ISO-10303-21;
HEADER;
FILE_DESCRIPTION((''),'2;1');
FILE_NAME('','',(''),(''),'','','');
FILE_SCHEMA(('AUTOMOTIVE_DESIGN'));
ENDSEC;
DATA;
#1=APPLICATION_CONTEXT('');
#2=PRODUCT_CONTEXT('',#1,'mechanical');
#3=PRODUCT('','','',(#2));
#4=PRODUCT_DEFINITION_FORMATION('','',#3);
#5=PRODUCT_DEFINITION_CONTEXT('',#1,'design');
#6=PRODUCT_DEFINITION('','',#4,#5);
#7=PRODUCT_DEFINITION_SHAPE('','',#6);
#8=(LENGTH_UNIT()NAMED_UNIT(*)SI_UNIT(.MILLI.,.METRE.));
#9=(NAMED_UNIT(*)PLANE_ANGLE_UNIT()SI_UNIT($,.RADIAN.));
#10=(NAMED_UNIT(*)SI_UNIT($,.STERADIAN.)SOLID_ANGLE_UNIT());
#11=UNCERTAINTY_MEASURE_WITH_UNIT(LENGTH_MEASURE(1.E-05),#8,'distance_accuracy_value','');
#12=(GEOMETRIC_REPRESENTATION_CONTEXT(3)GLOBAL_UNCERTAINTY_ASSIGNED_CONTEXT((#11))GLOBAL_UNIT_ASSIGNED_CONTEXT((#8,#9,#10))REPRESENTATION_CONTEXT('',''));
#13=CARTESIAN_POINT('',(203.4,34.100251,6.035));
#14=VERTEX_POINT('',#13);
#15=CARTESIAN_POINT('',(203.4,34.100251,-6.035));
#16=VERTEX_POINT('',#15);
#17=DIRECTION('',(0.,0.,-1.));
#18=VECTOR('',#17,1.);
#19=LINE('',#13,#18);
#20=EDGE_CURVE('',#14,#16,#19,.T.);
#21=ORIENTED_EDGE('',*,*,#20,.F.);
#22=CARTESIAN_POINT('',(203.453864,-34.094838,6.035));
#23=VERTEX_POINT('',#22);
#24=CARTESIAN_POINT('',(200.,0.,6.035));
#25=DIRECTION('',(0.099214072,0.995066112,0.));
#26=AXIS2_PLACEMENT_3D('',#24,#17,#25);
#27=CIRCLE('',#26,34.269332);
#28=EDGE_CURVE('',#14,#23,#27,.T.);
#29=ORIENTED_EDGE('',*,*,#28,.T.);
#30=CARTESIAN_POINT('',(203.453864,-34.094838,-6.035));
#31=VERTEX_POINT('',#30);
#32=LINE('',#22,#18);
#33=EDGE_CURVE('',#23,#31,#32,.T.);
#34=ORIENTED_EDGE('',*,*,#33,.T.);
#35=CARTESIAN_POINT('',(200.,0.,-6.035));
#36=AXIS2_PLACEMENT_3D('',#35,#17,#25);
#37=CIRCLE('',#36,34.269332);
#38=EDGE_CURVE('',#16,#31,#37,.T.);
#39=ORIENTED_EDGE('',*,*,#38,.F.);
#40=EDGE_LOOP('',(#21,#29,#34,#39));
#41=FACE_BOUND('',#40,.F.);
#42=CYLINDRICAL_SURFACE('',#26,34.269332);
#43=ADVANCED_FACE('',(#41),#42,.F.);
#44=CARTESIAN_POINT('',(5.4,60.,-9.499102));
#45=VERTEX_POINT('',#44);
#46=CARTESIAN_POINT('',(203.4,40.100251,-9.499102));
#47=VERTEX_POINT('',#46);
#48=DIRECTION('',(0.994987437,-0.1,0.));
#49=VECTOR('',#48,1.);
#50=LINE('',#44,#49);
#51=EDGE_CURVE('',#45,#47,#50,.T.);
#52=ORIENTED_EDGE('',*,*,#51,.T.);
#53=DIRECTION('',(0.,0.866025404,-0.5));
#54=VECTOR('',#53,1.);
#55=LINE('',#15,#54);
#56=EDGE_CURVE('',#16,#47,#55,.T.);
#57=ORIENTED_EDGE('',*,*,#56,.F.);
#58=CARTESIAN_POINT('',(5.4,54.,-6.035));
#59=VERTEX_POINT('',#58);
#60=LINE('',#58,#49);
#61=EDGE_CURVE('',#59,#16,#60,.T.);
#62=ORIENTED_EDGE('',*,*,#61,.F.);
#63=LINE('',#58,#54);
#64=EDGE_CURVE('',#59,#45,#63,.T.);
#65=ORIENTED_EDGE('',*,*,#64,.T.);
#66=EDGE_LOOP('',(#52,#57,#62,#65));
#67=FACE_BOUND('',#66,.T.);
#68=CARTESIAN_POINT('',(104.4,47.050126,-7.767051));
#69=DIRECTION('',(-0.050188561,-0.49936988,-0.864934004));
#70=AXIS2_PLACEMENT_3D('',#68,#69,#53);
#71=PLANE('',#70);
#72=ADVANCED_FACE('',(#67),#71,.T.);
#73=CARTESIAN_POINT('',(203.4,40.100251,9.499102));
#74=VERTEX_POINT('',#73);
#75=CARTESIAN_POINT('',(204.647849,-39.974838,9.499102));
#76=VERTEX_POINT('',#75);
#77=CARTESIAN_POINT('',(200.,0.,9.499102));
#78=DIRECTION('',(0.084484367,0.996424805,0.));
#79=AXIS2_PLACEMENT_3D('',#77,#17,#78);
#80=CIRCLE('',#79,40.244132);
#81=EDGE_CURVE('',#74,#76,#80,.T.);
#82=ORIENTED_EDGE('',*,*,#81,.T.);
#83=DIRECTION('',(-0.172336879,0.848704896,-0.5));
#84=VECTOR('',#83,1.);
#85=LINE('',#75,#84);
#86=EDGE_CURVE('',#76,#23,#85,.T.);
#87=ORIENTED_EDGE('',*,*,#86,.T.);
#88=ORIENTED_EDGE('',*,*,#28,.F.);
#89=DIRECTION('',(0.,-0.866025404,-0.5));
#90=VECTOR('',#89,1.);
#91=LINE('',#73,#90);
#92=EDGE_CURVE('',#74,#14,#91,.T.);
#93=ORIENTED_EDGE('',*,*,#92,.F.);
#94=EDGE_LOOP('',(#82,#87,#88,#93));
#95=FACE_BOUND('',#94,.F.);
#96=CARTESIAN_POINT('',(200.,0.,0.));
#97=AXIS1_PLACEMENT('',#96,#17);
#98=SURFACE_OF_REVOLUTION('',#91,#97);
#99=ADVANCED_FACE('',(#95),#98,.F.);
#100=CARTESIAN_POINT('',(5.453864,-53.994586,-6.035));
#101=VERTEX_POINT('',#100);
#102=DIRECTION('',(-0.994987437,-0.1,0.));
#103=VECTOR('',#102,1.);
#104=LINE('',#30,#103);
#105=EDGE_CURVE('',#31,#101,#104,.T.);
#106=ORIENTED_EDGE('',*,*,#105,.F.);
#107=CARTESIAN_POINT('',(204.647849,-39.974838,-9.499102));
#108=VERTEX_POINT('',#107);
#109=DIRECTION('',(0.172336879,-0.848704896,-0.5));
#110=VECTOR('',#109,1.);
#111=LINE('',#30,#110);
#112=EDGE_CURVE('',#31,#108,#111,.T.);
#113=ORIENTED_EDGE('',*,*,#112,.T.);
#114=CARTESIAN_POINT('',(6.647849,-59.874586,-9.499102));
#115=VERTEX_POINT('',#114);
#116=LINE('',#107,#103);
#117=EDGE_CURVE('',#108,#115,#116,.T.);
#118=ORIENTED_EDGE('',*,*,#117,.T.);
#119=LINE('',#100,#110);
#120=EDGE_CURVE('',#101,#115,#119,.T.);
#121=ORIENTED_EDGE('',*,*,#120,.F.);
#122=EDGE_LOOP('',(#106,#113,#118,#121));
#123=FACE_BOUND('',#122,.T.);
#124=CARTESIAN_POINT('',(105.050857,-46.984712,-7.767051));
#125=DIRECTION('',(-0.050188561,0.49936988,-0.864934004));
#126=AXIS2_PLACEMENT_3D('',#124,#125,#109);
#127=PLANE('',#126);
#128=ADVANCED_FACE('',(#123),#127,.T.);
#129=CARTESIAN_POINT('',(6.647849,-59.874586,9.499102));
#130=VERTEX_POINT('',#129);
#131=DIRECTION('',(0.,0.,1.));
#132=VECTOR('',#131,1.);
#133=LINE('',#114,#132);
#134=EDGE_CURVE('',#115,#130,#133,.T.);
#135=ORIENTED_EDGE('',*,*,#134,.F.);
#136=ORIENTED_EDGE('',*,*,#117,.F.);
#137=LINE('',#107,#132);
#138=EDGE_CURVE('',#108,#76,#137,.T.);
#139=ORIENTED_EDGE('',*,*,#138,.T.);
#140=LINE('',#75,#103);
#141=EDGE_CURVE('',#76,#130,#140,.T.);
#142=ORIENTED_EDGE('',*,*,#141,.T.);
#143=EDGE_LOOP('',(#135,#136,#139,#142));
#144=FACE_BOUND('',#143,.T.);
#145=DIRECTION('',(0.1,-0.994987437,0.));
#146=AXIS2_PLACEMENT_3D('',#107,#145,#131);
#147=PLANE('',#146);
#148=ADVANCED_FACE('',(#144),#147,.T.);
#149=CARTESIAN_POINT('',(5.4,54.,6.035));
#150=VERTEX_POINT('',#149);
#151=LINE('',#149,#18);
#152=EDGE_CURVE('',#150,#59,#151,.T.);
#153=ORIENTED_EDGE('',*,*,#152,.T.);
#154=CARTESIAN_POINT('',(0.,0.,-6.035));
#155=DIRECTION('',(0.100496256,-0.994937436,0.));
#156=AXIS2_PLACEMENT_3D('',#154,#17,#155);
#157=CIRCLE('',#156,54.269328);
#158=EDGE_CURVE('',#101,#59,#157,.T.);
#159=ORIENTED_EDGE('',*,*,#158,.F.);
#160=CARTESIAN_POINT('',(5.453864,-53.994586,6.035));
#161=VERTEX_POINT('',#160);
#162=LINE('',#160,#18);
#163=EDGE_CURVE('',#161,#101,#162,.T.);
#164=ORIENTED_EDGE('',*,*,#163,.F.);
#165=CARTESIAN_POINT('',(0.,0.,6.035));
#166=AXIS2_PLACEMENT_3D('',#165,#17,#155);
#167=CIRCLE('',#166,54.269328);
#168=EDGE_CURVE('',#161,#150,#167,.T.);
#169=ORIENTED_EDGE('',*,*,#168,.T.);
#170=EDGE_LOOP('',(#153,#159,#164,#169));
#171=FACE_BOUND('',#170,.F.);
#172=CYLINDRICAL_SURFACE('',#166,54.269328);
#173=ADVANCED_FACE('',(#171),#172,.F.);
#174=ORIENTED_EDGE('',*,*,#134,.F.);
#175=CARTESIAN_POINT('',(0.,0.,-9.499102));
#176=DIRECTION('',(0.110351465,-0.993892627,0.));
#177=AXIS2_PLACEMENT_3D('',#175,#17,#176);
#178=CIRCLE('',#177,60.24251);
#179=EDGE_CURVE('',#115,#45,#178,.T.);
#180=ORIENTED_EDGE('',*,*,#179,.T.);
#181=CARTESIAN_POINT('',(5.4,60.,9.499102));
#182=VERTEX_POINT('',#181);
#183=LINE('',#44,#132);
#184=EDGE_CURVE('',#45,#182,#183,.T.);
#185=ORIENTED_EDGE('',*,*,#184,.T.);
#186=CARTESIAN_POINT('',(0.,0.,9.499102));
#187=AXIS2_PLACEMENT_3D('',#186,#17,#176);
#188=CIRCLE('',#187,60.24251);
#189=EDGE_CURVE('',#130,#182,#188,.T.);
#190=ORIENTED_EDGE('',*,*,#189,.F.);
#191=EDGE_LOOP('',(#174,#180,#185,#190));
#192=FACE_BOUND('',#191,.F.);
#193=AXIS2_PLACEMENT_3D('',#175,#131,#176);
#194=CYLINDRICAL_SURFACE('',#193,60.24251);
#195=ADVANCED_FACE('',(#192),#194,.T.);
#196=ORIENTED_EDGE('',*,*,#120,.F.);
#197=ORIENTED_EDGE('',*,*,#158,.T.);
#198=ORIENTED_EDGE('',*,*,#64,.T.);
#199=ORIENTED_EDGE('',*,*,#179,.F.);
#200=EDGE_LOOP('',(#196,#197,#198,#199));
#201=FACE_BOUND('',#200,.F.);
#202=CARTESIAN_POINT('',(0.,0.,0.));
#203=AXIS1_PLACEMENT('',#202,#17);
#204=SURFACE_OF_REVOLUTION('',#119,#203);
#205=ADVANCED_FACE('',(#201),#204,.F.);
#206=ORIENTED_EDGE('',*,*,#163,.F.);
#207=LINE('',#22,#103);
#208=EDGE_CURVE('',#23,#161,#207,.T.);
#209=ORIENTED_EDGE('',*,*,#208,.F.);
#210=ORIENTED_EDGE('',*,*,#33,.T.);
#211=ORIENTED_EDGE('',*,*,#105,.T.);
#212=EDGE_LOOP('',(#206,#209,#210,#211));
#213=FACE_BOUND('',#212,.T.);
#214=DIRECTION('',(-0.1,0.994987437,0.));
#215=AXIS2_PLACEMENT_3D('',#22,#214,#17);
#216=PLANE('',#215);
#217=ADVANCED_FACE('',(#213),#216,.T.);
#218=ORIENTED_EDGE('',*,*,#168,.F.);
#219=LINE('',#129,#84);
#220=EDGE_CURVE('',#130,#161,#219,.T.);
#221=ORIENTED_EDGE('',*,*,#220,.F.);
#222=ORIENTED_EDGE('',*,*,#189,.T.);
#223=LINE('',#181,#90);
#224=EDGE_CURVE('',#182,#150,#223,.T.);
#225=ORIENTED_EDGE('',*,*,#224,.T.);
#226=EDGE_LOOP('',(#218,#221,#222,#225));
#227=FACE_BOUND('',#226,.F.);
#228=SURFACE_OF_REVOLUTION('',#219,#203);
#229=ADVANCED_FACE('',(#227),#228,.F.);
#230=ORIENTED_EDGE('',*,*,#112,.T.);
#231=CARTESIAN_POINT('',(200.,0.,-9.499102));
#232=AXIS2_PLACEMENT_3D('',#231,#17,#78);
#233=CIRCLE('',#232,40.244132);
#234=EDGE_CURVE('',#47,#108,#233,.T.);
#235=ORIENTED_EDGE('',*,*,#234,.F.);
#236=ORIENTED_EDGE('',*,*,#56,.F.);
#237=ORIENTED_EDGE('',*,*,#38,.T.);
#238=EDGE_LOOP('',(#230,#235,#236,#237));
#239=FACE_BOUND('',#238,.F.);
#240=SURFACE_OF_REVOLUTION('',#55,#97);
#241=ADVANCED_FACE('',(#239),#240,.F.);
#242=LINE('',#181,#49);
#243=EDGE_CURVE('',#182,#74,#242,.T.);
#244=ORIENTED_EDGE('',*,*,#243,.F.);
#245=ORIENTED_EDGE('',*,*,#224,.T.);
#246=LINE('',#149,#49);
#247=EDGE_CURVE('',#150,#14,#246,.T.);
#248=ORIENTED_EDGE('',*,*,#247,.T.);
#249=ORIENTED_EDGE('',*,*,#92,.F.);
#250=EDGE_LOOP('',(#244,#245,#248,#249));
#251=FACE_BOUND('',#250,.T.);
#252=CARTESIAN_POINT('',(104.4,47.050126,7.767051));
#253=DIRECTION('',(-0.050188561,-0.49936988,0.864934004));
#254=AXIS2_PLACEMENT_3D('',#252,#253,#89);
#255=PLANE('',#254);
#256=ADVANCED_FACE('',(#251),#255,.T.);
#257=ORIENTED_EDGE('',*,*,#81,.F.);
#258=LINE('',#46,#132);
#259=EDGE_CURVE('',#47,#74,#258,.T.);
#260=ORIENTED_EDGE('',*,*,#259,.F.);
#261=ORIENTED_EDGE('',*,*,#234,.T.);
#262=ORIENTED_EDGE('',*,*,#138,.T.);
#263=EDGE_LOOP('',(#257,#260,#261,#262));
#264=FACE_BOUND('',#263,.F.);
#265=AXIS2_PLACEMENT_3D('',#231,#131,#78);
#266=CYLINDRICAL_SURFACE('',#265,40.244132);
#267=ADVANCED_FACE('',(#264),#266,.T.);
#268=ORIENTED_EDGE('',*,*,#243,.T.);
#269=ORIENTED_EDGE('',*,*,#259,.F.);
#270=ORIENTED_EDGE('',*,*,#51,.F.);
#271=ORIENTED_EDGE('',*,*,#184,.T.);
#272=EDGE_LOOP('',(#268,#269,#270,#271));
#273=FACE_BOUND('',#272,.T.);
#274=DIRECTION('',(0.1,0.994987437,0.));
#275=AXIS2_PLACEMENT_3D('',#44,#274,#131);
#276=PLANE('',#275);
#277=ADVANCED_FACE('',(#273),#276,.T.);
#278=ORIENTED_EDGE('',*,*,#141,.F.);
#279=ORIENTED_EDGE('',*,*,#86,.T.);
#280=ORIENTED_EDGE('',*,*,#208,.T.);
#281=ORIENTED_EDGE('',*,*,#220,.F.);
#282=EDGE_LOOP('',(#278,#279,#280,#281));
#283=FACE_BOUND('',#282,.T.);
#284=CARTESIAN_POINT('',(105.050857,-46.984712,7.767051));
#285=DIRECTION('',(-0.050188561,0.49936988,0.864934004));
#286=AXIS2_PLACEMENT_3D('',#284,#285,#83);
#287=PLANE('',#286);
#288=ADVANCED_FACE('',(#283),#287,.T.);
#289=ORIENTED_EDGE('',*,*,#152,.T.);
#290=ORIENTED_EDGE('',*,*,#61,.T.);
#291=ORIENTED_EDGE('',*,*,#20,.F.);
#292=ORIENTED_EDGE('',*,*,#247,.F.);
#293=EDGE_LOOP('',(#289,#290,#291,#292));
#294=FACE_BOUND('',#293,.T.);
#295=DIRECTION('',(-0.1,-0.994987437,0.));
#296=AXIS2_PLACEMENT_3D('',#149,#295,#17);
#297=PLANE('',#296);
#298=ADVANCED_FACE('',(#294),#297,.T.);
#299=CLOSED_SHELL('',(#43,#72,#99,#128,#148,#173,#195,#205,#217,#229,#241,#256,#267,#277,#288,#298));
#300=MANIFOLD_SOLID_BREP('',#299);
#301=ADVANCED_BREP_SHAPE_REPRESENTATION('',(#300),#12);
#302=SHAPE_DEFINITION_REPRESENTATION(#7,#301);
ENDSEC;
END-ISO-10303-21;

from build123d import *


with BuildPart() as part:
    # Sweep1: sweep along a path in Sketch2
    with BuildLine(Plane.XY) as sweep1_path:
        Line((5.4, 53.729321604), (203.4, 33.829572862))
        ThreePointArc((203.4, 33.829572862), (234, 0), (203.4, -33.829572862))
        Line((203.4, -33.829572862), (5.4, -53.729321604))
        ThreePointArc((5.4, -53.729321604), (-54, 0), (5.4, 53.729321604))
    # Sketch3 → Sweep1 (sweep)
    with BuildSketch(Plane(origin=(5.4, 0, 0), x_dir=(0, 0, -1), z_dir=(1, 0, 0))):
        Polygon((-6.035, 54), (6.035, 54), (9.499101615, 60), (-9.499101615, 60), align=None)
    sweep(path=sweep1_path.line)


solid = part.part
